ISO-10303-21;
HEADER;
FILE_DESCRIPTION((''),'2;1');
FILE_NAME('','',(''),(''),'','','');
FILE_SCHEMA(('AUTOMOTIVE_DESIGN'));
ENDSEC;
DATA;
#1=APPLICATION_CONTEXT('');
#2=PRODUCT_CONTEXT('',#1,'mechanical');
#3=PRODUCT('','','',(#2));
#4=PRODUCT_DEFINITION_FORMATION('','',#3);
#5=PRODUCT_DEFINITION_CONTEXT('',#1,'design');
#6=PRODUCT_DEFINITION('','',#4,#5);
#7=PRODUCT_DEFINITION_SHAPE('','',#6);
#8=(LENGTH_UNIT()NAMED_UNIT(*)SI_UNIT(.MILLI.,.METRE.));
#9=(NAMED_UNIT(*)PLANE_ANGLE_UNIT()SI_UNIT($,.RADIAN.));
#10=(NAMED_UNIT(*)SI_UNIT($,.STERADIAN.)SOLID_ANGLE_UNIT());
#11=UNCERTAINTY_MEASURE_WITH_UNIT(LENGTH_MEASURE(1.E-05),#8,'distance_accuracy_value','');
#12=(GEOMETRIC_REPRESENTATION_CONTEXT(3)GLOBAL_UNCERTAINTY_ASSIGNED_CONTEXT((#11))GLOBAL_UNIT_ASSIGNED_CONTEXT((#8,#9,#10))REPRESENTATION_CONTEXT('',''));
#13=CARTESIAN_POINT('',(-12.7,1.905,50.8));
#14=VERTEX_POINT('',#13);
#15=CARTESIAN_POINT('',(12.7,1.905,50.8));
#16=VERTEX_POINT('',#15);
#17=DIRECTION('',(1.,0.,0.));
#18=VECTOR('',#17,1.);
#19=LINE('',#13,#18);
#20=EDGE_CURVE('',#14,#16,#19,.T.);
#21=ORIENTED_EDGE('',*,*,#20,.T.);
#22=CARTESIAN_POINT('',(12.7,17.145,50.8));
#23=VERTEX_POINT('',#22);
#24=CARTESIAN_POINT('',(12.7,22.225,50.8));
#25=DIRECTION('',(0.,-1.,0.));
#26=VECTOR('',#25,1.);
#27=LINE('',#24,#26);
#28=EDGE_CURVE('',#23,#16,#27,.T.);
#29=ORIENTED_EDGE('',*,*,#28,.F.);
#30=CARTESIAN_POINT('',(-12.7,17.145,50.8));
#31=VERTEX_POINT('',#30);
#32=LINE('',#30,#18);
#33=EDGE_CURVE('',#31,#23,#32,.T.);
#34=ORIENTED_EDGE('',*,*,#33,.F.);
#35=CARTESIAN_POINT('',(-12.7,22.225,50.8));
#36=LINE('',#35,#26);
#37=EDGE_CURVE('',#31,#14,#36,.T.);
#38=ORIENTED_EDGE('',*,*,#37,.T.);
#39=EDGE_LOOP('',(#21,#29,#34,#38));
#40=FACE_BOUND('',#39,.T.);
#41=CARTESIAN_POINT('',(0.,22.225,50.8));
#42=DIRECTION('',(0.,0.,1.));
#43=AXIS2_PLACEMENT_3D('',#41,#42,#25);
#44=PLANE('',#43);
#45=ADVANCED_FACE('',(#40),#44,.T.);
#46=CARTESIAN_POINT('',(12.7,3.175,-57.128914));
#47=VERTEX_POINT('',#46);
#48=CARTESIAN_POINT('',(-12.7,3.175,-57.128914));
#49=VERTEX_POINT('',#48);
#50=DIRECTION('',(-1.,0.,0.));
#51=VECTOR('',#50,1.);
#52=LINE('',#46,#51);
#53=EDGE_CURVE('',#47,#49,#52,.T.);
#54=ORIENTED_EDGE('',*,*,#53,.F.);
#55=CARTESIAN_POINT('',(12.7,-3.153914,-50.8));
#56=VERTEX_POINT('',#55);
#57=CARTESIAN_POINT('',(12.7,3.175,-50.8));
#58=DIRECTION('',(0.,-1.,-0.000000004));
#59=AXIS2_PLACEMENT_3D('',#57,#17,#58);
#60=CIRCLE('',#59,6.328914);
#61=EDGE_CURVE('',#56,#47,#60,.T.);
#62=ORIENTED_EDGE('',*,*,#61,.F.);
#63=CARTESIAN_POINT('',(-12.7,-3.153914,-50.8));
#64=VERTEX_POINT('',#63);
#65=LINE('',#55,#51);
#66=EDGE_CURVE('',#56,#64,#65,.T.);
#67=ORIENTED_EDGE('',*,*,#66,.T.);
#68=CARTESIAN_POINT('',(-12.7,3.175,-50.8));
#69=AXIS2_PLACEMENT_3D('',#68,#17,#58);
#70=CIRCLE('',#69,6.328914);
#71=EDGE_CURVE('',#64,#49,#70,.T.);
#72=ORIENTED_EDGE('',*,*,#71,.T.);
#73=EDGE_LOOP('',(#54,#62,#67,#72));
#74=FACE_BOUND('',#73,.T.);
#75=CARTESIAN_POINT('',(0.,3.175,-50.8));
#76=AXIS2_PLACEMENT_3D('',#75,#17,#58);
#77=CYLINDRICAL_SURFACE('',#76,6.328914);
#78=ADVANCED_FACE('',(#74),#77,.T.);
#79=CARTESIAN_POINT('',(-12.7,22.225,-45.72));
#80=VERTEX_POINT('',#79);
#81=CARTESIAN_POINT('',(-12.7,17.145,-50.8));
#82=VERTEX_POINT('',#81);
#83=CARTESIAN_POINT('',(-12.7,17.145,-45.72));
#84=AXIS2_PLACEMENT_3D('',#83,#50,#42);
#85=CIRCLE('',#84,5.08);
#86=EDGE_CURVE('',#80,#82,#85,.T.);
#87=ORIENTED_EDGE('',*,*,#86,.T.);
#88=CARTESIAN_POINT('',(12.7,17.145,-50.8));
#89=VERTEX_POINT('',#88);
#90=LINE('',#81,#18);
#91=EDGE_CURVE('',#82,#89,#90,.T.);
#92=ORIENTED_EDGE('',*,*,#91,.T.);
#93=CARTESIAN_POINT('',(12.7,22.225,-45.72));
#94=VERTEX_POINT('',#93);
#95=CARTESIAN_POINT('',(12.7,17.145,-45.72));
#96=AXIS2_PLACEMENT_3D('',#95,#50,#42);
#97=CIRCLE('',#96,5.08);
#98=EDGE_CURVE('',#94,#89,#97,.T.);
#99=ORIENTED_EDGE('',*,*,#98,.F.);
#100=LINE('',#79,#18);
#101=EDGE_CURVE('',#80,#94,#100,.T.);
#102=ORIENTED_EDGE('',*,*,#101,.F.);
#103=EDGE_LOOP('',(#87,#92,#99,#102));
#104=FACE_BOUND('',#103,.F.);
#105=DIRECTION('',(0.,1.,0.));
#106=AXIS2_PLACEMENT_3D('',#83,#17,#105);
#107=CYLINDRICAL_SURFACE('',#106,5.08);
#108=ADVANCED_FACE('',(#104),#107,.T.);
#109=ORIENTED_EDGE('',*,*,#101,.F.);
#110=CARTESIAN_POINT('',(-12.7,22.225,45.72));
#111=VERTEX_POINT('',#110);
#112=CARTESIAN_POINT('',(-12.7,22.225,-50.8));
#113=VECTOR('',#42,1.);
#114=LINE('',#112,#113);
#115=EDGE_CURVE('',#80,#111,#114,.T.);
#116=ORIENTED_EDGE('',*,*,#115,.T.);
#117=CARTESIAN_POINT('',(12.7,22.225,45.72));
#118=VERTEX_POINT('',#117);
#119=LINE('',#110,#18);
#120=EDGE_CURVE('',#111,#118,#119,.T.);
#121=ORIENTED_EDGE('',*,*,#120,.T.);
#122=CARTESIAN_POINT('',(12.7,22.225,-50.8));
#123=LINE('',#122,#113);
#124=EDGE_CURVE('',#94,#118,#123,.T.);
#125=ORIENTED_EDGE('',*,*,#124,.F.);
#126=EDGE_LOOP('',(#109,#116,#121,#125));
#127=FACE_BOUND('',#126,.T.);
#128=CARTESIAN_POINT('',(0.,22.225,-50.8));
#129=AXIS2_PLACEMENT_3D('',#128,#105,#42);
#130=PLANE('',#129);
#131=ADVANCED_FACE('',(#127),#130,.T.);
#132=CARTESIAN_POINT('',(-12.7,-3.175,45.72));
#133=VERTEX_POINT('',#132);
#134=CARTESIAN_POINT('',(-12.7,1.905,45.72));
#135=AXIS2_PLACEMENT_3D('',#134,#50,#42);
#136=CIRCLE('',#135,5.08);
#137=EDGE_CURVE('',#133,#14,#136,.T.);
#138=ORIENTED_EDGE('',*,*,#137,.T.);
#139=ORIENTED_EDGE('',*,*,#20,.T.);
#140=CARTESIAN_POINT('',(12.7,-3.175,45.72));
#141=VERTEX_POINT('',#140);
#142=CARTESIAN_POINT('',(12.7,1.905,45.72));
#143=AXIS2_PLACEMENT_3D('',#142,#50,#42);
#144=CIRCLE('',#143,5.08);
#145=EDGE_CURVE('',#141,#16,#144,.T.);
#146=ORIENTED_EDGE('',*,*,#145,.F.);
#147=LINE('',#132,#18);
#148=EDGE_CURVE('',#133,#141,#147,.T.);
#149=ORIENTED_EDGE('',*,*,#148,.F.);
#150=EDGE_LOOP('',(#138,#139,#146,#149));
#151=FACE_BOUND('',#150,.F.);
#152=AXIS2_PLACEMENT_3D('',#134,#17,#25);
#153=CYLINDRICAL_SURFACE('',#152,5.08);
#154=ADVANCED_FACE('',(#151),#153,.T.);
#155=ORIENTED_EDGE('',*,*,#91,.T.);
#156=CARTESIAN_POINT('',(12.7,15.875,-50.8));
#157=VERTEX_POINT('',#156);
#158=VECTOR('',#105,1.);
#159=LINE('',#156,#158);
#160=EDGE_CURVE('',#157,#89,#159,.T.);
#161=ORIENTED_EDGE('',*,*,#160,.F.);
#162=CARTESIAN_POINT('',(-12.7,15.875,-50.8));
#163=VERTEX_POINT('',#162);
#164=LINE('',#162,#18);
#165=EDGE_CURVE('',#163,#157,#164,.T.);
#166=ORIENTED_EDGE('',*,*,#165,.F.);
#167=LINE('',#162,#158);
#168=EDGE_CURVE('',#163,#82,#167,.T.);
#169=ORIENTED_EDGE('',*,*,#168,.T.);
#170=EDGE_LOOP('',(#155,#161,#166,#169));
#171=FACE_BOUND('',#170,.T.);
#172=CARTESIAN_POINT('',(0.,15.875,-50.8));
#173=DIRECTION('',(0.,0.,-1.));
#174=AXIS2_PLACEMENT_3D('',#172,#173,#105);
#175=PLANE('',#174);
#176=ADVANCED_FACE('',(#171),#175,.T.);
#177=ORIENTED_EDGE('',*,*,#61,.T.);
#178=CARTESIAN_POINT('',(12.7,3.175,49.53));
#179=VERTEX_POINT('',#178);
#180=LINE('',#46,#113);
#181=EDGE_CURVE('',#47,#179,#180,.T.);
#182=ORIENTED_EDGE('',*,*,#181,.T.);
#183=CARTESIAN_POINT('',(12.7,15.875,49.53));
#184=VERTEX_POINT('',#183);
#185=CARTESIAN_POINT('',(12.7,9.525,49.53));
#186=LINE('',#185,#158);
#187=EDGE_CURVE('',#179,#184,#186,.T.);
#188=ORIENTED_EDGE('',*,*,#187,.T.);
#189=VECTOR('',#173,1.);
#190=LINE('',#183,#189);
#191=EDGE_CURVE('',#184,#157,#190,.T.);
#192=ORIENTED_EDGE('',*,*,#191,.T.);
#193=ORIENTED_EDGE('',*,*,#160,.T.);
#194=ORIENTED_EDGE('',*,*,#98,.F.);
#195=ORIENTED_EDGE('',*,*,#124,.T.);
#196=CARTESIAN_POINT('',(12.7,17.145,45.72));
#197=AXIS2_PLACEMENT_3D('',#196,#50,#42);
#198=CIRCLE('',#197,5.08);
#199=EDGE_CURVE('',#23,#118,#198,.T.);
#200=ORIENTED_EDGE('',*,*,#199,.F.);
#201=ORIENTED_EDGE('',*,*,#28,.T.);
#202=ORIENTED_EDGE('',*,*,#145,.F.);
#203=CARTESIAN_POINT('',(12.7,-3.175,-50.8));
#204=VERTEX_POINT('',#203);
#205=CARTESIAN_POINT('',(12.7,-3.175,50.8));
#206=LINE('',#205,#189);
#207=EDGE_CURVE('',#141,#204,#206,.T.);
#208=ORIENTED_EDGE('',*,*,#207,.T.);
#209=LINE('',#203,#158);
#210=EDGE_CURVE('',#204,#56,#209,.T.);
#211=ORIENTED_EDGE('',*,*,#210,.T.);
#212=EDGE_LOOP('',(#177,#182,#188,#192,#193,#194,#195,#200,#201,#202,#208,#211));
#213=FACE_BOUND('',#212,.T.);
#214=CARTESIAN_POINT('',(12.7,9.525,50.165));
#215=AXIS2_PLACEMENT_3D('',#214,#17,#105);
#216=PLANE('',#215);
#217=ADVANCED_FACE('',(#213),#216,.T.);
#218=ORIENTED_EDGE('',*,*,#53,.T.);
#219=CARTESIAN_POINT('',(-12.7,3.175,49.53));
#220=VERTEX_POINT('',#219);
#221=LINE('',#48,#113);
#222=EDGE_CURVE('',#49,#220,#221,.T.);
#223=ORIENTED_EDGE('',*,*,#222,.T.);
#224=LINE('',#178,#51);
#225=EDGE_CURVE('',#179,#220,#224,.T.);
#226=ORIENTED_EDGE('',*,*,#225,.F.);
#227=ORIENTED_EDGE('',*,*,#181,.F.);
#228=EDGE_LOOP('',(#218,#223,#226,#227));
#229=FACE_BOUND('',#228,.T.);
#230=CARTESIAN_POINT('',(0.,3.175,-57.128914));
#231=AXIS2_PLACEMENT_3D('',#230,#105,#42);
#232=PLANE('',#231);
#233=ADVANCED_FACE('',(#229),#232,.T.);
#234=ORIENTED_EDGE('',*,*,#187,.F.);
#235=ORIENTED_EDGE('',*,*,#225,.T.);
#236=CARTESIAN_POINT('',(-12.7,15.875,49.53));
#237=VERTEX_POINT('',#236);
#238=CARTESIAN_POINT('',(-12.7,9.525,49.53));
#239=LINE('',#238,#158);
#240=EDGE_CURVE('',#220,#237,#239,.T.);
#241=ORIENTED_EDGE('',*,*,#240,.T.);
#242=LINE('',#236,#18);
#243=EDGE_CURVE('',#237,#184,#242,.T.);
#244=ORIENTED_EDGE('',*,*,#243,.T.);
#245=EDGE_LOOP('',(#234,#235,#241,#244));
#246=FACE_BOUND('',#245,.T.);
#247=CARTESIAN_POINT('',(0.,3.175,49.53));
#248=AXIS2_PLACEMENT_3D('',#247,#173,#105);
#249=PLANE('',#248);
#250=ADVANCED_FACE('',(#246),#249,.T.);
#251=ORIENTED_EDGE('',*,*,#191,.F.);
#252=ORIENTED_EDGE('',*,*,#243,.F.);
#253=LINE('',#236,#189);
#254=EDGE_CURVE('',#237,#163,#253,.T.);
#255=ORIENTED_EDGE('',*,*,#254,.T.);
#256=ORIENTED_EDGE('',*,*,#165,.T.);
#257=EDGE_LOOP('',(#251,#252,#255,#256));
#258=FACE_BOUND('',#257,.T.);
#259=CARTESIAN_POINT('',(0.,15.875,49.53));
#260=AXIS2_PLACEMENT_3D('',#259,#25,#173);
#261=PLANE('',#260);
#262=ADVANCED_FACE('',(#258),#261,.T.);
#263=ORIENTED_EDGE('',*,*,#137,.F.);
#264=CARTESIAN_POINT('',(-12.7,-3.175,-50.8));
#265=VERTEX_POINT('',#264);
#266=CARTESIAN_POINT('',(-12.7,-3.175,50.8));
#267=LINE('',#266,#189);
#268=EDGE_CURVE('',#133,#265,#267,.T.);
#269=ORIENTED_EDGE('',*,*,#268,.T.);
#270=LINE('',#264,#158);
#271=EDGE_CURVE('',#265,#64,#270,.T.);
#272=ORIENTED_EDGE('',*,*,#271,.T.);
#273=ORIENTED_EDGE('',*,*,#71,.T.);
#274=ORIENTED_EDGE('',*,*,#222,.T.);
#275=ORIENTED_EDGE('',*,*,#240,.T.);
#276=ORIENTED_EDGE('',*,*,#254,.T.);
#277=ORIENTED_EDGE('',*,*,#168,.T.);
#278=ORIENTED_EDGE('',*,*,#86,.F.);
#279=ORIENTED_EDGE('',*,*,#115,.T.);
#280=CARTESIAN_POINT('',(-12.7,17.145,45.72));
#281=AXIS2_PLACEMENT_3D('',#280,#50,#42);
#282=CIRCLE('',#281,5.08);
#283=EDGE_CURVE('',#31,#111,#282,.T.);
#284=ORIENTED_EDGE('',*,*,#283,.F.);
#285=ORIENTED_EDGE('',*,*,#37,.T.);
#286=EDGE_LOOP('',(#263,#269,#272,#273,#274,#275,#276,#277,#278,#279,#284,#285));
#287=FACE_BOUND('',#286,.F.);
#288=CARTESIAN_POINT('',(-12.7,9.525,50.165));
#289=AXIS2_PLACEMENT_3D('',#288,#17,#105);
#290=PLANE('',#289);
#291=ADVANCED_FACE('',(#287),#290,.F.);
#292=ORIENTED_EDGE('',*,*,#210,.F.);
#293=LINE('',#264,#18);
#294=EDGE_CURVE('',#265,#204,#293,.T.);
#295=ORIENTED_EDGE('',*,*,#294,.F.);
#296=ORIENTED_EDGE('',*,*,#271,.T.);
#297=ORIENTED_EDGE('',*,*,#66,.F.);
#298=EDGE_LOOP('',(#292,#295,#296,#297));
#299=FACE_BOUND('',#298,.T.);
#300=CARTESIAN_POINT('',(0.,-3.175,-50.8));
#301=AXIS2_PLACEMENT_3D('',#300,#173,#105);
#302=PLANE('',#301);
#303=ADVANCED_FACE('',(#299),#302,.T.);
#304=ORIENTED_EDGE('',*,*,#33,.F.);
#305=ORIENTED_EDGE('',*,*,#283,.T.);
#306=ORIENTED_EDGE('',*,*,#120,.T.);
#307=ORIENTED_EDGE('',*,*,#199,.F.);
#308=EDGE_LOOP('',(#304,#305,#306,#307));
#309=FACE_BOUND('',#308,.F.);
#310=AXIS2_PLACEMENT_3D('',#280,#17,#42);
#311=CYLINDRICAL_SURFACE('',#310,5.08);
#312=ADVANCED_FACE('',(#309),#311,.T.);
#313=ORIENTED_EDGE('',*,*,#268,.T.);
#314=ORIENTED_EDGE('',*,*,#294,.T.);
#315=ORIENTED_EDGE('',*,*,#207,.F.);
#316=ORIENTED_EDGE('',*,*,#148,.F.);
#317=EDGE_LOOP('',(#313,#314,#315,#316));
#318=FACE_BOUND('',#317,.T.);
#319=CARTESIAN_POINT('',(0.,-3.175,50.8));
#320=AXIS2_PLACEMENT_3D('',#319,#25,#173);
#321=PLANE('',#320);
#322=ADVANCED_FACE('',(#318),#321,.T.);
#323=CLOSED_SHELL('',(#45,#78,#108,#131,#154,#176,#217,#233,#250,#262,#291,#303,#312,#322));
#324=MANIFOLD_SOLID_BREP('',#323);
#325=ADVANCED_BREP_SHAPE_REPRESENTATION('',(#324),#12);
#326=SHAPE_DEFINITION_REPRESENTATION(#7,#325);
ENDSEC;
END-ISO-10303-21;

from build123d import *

# Parameters (mm, degrees)
F0_W     = 12.7
F0_H     = 1.27
F1_DEPTH = 12.7
F2_R     = 5.08


with BuildPart() as f1:
    # F0 (on Right) → F1 (new body, symmetric)
    with BuildSketch(Plane.YZ):
        with Locations((9.525, 50.165)):
            Rectangle(F0_W, F0_H)
        Polygon((3.175, -50.8), (3.175, 49.53), (3.175, 50.8), (-3.175, 50.8), (-3.175, -50.8), (-3.153914, -50.8), align=None)
        Polygon((15.875, -50.8), (22.225, -50.8), (22.225, 50.8), (15.875, 50.8), (15.875, 49.53), align=None)
        with BuildLine():
            Line((3.175, -57.128914), (3.175, -50.8))
            Line((3.175, -50.8), (-3.153914, -50.8))
            ThreePointArc((-3.153914, -50.8), (-1.300218, -55.275218), (3.175, -57.128914))
        make_face()
    extrude(amount=F1_DEPTH, both=True)

    # F2
    f2_edges = [f1.edges().sort_by_distance(p)[0] for p in [
        (0, 22.225, 50.8),
        (0, -3.175, 50.8),
        (0, 22.225, -50.8),
    ]]
    fillet(f2_edges, radius=F2_R)


solid = f1.part
